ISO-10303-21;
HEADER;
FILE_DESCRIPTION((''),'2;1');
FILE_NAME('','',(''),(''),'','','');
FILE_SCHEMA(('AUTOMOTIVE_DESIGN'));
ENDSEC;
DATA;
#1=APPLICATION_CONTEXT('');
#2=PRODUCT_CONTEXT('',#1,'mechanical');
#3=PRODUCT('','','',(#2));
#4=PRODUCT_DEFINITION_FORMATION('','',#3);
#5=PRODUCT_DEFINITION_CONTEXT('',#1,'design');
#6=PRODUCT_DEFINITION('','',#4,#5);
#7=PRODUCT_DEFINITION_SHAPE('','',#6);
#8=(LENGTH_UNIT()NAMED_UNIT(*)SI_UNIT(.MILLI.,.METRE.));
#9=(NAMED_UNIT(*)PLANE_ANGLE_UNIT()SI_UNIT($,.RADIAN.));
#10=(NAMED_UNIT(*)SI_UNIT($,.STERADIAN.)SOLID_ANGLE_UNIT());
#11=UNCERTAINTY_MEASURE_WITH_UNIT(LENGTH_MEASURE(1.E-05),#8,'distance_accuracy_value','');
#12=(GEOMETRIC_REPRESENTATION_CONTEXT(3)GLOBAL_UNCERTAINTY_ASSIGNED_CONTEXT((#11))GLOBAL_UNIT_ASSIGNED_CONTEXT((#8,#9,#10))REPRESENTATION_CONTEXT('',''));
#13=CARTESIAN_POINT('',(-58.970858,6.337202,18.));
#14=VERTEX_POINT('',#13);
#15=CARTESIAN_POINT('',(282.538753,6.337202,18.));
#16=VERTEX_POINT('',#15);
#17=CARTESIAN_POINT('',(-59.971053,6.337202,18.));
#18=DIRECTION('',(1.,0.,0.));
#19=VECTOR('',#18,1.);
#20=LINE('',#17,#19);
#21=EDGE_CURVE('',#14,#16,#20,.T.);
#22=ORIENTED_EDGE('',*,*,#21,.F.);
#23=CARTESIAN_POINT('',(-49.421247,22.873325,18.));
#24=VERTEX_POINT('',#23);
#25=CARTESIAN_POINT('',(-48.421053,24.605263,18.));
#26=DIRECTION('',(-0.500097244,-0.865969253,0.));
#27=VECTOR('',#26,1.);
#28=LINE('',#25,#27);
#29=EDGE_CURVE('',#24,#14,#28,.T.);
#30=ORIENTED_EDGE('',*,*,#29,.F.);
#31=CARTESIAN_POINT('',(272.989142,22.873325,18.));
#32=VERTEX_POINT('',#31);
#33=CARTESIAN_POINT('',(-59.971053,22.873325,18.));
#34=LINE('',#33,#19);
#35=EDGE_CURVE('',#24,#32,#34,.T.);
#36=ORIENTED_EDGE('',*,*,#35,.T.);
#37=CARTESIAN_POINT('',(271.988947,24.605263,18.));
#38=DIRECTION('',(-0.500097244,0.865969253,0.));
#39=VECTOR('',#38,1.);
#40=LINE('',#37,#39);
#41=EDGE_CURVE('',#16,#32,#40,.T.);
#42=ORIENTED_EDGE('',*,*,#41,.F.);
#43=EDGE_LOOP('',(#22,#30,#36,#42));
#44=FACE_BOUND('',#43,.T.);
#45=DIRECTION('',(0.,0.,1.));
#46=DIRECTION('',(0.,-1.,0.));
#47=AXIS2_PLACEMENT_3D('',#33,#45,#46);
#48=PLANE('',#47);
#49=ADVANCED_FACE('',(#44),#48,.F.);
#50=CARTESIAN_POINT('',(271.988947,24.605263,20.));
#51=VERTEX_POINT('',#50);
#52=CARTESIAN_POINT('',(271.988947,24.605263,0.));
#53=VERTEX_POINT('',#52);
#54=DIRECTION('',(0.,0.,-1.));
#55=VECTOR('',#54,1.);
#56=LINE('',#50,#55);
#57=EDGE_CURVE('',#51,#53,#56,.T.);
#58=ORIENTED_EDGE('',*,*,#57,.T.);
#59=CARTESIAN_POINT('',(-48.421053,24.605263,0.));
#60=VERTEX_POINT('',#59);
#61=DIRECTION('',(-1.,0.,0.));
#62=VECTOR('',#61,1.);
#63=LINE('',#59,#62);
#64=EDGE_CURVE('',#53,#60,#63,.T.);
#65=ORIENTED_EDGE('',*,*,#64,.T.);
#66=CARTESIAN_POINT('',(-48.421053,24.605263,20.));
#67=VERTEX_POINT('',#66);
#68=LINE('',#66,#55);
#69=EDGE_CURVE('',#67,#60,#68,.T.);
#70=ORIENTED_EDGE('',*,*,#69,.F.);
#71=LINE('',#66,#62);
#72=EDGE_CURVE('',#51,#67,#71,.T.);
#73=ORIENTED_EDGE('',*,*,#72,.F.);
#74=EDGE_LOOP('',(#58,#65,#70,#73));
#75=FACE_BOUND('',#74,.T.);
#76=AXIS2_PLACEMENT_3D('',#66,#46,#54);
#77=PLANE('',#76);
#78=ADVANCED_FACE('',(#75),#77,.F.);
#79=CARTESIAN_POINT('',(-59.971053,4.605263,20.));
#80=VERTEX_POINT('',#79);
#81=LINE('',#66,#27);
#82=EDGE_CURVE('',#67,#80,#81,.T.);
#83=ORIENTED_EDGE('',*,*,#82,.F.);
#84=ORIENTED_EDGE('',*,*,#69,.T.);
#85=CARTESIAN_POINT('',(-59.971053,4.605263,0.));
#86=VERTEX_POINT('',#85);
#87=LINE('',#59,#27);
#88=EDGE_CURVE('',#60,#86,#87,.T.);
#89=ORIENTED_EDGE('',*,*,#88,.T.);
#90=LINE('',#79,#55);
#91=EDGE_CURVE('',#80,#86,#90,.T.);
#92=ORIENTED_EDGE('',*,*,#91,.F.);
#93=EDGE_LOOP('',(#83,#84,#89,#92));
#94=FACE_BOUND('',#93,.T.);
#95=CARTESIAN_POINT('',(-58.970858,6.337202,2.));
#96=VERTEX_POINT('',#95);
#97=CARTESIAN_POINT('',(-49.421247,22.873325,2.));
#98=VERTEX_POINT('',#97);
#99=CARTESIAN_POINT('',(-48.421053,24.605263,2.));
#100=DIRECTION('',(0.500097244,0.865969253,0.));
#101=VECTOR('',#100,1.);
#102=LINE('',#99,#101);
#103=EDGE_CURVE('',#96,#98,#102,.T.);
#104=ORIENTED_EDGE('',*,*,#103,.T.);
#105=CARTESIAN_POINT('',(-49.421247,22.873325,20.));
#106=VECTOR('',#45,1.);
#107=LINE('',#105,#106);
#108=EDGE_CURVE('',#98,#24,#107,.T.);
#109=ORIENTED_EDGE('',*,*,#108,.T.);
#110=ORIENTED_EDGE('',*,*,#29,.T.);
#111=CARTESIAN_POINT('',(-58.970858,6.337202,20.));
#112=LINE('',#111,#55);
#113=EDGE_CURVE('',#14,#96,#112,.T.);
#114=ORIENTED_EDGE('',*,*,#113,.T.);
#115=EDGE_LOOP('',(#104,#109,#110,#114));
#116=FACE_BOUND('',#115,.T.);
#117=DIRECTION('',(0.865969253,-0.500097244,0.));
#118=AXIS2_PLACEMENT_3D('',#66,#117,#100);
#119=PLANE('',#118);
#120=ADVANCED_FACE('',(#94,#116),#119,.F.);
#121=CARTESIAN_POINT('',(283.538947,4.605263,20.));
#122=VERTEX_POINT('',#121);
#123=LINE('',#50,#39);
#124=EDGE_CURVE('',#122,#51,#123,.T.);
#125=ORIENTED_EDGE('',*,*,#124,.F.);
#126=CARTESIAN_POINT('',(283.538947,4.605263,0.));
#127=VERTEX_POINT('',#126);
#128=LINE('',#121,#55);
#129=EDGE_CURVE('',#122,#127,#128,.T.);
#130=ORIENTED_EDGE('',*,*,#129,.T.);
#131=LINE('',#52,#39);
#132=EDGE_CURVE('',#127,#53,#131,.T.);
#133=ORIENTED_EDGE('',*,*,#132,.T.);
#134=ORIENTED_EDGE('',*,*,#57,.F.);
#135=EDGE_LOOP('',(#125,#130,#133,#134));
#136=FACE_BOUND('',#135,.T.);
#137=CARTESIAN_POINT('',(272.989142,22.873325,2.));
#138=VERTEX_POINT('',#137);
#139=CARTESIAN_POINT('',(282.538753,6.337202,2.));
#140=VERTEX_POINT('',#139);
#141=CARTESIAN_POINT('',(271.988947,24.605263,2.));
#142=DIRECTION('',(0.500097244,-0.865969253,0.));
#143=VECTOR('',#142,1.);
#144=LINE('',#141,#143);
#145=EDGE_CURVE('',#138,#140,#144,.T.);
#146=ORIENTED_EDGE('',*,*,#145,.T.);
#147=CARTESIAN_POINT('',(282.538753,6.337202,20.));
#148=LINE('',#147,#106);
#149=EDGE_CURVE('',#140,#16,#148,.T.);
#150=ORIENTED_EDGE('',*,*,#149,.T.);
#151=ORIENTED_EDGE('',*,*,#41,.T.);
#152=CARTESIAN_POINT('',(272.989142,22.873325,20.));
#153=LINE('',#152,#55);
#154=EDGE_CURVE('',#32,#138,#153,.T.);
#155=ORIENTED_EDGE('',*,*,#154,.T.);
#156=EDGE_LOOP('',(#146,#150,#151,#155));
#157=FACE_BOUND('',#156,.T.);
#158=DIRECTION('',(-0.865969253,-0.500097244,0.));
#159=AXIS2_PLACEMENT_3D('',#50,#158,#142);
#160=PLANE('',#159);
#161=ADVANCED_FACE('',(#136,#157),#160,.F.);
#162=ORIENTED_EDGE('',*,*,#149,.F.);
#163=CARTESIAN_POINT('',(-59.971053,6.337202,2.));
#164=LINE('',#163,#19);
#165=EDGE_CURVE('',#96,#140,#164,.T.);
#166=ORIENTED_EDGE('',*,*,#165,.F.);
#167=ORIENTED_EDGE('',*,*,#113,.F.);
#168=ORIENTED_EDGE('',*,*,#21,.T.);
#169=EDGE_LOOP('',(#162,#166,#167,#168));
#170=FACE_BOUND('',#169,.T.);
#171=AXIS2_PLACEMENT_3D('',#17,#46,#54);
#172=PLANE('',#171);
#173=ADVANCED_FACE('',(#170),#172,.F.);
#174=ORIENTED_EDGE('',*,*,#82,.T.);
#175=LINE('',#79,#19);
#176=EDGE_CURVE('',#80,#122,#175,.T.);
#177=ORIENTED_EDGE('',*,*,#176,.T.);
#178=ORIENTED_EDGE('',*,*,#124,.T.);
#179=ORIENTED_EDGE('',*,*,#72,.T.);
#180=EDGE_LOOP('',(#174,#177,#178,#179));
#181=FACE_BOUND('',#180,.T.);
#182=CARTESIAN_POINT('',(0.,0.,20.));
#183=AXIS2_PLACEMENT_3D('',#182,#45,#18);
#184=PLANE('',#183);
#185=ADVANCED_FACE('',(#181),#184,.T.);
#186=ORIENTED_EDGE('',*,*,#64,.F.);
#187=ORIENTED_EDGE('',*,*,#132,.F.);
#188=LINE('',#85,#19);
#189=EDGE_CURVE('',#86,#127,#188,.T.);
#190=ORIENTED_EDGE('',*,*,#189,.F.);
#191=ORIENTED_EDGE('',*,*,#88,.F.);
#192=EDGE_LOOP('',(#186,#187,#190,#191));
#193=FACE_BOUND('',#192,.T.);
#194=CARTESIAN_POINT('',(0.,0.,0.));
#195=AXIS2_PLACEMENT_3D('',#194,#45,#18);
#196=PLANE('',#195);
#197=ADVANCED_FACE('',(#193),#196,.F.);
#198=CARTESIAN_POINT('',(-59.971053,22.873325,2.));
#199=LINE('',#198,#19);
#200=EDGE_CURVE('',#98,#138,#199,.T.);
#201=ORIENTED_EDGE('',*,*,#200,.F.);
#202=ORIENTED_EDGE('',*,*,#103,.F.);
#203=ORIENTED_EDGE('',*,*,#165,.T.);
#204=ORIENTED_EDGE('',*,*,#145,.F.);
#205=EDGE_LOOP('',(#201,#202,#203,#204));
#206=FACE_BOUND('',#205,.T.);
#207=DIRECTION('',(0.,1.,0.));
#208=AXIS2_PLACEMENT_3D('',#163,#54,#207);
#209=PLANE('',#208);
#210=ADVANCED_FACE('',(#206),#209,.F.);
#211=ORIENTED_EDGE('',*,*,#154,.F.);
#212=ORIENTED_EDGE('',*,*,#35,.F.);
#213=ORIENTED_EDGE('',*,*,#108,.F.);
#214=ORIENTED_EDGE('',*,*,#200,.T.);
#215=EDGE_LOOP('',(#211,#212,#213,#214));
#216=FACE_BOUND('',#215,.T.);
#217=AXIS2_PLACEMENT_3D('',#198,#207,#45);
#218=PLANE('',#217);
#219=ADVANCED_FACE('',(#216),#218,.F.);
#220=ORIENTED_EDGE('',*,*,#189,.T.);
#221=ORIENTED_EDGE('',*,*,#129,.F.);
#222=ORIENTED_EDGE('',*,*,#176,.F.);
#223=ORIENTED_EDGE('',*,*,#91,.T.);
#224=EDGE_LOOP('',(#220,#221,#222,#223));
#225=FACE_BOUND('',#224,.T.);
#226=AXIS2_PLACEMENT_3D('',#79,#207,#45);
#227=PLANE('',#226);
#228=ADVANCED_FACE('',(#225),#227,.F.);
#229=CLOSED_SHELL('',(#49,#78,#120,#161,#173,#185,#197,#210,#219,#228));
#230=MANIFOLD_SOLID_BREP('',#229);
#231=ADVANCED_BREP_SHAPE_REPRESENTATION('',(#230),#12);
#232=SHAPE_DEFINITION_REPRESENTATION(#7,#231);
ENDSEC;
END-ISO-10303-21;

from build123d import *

# Parameters (mm, degrees)
BOSS_EXTRUDE1_DEPTH     = 20
CUT_EXTRUDE1_DEPTH      = 286.306420625
CUT_EXTRUDE1_DEPTH_BACK = 286.306420625
SKETCH3_W               = 16
SKETCH3_H               = 16.536122988


with BuildPart() as part:
    # Sketch1 → Boss-Extrude1 (new body)
    with BuildSketch(Plane.XY):
        Polygon((-48.421052632, 24.605263158), (271.988947368, 24.605263158), (283.538947368, 4.605263158), (-59.971052632, 4.605263158), align=None)
    extrude(amount=BOSS_EXTRUDE1_DEPTH)

    # Sketch3 → Cut-Extrude1 (cut, two sides: drawn at the far end of the back side and taken through both)
    with BuildSketch(Plane(origin=(0, 0, 0), x_dir=(0, 0, -1), z_dir=(1, 0, 0)).offset(-CUT_EXTRUDE1_DEPTH_BACK)):
        with Locations((-10, 14.605263158)):
            Rectangle(SKETCH3_W, SKETCH3_H)
    extrude(amount=CUT_EXTRUDE1_DEPTH + CUT_EXTRUDE1_DEPTH_BACK, mode=Mode.SUBTRACT)


solid = part.part
